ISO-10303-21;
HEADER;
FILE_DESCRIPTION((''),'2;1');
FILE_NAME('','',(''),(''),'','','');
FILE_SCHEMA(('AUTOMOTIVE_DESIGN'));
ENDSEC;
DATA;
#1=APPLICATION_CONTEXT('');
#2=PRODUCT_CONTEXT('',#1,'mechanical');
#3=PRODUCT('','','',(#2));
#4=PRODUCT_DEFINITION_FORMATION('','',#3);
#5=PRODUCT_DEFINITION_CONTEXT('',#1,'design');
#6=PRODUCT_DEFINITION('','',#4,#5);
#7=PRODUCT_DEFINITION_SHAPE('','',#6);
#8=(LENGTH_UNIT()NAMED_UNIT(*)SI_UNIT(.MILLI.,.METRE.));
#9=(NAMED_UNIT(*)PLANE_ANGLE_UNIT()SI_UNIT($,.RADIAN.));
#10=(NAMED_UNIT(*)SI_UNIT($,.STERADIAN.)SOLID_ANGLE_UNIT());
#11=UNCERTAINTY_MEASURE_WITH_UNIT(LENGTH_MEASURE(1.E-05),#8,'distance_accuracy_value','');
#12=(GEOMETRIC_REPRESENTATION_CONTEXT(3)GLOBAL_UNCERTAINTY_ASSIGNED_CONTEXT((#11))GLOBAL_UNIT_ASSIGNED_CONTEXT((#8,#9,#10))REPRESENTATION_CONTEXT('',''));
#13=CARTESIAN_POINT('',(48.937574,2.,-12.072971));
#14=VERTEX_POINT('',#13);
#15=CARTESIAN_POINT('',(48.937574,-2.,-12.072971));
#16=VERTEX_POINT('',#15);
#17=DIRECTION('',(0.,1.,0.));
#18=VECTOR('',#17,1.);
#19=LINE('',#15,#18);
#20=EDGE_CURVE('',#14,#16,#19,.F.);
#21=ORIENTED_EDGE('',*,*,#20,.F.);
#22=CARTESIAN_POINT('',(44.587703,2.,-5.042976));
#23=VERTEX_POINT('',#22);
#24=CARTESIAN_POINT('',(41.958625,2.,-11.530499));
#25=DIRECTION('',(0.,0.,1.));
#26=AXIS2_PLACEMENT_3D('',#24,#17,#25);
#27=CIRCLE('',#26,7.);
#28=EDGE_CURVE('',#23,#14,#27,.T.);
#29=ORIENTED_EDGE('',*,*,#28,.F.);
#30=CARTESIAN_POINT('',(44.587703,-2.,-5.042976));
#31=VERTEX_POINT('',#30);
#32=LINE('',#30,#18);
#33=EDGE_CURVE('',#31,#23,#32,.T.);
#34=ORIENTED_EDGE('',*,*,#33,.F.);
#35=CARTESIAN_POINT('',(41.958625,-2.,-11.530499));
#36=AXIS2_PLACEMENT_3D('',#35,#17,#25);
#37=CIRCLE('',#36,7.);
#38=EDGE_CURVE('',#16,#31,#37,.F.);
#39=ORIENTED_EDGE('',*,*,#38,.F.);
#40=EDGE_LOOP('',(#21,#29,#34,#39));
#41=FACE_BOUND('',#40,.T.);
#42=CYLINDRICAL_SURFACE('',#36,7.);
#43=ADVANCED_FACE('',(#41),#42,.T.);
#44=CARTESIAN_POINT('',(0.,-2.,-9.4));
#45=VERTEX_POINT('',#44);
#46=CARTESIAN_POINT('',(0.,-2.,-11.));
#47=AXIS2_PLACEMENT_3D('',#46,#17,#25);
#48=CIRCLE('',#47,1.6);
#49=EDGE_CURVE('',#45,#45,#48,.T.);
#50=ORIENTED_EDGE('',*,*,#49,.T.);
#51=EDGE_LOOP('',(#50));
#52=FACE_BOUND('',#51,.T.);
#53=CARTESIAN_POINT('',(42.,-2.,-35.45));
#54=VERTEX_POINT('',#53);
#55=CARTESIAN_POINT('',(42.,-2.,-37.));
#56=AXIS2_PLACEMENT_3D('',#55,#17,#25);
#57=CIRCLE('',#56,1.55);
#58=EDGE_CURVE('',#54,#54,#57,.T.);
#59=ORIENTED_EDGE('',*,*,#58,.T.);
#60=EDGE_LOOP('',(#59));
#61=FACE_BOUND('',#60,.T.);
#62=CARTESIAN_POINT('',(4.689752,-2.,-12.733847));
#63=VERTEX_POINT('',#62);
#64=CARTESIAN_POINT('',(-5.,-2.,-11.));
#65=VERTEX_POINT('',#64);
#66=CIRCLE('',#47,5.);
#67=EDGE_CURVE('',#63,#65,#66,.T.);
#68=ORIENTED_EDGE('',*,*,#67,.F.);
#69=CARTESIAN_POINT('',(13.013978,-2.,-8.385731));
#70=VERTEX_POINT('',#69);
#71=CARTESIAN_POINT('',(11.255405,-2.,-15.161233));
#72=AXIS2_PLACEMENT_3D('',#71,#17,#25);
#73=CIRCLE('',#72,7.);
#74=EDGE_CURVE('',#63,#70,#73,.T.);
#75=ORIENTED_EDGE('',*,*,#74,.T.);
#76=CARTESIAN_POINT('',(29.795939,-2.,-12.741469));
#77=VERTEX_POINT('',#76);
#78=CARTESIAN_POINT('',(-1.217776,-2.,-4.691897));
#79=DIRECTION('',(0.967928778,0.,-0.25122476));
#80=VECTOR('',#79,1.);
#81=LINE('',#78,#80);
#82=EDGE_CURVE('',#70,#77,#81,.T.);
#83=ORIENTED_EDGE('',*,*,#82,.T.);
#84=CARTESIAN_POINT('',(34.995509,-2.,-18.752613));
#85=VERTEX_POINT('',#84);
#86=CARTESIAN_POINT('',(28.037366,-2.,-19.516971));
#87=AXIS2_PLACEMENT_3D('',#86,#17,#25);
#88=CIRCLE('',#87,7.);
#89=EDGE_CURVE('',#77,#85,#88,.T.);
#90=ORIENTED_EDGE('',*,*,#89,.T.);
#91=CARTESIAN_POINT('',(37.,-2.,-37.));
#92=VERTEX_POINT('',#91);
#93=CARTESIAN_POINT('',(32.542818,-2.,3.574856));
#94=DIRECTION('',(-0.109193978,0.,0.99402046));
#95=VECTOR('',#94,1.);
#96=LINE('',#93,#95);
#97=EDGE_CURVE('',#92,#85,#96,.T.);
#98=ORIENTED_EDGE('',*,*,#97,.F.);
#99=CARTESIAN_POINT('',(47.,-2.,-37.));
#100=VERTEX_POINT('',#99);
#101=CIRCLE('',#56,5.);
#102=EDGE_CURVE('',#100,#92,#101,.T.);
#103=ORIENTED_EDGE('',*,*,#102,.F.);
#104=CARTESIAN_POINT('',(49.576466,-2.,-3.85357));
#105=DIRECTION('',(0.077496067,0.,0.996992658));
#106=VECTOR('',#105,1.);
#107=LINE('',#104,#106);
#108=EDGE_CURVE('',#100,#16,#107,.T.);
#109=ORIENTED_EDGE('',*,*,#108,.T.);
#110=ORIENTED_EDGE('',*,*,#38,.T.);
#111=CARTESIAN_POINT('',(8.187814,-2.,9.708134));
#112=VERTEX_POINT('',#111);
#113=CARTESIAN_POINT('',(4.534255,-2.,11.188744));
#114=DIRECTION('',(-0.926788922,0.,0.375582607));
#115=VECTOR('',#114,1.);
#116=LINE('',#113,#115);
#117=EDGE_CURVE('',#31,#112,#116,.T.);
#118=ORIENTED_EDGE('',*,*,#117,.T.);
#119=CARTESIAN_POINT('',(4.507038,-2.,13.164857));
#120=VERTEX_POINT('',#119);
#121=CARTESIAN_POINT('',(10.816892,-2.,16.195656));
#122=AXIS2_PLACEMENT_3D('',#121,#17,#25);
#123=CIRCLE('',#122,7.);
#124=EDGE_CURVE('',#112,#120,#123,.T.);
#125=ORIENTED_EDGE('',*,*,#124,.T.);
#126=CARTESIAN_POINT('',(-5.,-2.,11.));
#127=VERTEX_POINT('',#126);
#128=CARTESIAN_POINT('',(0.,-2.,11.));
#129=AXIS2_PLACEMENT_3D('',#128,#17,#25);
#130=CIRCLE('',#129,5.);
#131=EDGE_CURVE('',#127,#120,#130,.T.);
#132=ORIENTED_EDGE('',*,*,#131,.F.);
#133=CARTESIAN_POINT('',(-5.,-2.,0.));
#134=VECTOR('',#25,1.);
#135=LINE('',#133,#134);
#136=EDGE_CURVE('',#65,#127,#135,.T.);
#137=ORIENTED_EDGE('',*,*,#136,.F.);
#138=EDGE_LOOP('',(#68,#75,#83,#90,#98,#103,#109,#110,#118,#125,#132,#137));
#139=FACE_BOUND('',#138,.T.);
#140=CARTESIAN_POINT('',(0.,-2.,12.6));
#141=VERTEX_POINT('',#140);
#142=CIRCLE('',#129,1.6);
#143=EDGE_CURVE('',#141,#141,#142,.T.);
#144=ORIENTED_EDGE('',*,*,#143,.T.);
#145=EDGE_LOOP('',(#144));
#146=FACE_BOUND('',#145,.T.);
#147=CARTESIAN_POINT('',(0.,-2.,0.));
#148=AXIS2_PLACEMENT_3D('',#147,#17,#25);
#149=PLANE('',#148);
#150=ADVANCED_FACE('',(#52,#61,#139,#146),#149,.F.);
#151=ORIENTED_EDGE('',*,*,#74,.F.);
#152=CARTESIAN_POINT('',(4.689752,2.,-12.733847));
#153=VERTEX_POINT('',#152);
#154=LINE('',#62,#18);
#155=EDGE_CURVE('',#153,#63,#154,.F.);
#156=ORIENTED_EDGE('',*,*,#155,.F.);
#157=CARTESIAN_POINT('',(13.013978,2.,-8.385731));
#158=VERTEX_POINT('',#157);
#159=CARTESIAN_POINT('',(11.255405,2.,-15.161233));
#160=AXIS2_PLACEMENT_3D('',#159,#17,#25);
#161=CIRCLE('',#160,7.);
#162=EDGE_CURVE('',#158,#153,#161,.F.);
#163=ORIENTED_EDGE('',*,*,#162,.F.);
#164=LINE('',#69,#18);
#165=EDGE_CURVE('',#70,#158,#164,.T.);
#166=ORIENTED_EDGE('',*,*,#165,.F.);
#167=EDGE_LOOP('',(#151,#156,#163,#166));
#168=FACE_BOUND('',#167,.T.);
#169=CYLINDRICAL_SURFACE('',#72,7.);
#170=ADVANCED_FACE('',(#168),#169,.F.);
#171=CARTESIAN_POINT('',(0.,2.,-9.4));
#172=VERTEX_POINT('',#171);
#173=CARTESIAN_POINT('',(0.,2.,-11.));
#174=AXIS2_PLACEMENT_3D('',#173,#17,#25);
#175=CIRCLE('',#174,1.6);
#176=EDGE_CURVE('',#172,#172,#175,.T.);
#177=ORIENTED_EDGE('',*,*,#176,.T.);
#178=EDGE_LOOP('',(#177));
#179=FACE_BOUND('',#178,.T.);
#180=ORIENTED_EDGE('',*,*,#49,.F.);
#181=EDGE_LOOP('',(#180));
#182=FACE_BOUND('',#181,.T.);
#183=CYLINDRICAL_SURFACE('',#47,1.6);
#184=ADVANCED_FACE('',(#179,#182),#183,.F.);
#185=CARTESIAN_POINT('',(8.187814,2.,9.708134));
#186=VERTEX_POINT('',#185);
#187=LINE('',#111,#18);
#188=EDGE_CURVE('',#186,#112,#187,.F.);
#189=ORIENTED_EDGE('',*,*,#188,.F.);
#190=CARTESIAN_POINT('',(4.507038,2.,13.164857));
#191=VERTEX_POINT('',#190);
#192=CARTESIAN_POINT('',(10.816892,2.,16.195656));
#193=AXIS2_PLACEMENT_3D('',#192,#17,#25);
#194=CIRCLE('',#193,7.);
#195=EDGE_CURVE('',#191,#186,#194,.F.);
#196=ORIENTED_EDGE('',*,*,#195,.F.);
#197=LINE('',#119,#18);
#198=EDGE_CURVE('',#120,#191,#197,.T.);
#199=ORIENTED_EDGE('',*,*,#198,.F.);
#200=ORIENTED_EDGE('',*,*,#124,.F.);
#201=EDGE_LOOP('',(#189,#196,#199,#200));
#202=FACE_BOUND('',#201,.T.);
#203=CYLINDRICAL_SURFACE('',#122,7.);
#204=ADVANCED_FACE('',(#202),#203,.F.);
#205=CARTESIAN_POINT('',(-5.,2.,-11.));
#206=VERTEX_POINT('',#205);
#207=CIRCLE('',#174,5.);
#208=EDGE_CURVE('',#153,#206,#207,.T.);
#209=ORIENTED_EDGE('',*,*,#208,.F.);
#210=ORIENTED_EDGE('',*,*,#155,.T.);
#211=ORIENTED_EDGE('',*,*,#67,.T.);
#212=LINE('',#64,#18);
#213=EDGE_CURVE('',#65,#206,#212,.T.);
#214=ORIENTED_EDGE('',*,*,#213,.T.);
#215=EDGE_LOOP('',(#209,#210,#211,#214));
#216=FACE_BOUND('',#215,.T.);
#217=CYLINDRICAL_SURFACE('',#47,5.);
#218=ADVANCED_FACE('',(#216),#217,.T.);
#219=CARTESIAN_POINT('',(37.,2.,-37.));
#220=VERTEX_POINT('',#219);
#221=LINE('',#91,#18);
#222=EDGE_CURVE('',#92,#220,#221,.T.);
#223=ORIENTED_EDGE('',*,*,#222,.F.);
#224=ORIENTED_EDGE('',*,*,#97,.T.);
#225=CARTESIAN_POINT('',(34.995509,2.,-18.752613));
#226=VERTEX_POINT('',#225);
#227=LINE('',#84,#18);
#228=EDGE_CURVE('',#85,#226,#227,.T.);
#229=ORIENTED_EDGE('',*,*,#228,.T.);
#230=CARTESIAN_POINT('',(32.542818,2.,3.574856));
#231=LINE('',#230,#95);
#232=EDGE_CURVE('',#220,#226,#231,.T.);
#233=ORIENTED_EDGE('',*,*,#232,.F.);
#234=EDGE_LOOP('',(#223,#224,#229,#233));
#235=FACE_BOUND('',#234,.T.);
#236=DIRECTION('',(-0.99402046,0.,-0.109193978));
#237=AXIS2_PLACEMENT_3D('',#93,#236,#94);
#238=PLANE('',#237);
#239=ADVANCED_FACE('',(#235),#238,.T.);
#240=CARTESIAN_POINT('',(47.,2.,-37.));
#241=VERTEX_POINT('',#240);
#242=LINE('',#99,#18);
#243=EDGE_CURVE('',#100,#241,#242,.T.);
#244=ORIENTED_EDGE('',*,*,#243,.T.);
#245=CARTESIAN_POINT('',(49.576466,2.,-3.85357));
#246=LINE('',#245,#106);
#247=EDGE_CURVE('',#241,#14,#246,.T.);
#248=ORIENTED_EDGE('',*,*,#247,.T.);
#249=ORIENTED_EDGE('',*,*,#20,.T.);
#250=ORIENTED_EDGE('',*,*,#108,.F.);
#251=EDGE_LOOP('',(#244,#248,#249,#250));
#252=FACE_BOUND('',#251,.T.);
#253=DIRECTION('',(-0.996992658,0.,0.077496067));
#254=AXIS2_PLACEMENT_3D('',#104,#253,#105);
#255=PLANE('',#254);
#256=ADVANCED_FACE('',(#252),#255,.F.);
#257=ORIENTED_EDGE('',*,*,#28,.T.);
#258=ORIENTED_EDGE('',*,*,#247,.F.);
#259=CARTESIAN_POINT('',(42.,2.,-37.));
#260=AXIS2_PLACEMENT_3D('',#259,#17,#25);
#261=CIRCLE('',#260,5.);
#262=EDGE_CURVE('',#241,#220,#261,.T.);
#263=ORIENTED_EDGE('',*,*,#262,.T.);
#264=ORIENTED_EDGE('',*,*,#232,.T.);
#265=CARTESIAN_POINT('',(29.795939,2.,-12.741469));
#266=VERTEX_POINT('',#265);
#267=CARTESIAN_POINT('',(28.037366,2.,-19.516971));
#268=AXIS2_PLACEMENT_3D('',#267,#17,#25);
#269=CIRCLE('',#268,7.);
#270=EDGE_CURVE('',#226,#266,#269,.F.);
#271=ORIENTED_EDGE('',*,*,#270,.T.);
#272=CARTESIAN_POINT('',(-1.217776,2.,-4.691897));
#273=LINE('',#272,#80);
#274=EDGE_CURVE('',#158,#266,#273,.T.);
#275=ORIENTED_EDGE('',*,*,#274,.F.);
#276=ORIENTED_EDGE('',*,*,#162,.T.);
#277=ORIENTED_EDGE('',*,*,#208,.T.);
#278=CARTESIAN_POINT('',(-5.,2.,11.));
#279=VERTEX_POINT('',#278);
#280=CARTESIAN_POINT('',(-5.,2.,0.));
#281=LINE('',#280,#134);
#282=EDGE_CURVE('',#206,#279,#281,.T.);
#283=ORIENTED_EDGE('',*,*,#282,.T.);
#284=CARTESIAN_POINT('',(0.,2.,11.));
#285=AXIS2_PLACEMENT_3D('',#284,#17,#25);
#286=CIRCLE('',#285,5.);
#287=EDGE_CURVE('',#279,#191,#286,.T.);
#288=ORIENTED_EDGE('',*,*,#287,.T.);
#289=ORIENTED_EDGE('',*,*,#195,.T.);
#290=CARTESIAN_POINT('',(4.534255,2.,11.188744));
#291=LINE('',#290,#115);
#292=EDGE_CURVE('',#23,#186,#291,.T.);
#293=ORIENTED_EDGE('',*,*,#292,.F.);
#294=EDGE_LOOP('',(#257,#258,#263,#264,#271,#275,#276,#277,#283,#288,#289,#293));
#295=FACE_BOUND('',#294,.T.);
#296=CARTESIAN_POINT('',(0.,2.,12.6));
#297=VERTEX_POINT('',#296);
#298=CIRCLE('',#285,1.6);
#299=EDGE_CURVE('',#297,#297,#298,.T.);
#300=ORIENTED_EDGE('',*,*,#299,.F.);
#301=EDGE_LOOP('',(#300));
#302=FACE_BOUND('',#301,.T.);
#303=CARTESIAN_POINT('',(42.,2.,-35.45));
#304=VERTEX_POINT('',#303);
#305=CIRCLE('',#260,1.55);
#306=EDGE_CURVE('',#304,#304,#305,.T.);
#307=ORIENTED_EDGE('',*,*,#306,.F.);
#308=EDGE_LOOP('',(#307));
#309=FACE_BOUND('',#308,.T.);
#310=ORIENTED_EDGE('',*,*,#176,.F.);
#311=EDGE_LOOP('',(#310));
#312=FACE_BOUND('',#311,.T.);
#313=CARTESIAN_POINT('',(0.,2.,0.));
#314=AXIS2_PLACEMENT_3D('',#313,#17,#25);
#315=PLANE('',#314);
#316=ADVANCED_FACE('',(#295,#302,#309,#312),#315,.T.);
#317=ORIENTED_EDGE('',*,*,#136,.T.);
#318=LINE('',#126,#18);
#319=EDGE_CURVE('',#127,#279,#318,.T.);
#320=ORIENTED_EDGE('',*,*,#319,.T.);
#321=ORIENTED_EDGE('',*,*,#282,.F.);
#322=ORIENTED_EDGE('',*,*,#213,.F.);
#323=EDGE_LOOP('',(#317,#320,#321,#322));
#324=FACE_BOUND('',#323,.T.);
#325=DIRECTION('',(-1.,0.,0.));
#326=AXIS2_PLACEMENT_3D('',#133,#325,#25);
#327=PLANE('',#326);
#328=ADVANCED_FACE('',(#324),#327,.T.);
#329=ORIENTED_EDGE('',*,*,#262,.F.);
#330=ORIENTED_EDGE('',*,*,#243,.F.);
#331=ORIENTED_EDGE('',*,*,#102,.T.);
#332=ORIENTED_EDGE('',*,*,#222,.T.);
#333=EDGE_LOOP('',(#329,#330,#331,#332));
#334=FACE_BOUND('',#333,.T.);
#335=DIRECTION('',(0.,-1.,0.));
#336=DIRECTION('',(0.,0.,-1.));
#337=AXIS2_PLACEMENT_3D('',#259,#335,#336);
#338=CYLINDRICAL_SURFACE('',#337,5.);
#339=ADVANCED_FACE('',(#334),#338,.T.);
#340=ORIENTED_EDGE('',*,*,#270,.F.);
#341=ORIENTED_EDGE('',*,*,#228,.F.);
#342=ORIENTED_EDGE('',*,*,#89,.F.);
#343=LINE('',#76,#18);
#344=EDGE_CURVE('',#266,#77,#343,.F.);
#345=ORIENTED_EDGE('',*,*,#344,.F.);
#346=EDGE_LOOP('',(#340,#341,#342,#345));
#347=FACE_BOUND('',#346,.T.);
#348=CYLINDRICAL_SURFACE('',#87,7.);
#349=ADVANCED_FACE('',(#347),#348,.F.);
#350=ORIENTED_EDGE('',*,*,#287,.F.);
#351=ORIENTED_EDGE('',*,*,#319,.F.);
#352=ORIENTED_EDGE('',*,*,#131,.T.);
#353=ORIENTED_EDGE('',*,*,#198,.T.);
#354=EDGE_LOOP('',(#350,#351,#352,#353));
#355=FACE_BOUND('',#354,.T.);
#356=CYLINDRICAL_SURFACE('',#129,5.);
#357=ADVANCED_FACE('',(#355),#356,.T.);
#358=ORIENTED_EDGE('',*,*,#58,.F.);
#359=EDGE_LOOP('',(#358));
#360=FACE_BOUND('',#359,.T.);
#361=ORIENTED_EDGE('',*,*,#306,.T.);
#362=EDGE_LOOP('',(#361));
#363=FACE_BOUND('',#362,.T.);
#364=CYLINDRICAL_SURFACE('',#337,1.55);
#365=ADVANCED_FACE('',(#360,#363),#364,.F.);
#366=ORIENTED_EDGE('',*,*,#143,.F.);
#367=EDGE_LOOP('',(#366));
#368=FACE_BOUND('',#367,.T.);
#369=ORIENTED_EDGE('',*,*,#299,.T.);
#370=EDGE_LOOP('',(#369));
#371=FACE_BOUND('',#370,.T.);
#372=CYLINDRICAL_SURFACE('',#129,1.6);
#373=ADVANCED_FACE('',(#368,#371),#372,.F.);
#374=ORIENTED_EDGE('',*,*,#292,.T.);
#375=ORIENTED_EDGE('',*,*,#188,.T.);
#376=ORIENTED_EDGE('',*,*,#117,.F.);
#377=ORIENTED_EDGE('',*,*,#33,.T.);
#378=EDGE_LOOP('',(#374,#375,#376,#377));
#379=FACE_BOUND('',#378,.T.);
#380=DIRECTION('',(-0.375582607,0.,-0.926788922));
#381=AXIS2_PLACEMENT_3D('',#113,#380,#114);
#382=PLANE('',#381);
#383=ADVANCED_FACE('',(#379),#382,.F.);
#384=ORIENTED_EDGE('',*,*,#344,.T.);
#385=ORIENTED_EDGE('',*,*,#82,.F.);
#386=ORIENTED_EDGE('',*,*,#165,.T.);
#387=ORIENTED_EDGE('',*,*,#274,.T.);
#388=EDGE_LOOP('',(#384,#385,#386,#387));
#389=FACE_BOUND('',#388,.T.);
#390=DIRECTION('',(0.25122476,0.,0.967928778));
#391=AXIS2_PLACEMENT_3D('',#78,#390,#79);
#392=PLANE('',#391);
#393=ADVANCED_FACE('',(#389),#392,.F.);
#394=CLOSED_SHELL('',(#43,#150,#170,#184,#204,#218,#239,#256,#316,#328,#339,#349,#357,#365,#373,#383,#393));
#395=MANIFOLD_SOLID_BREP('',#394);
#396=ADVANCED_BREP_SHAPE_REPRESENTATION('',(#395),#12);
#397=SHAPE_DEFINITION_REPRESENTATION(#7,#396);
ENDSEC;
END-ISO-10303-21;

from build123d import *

# Parameters (mm, degrees)
BOSS_EXTRUDE1_DEPTH      = 2
BOSS_EXTRUDE1_DEPTH_BACK = 2
SKETCH1_R                = 1.6
BOSS_EXTRUDE3_DEPTH      = 2
BOSS_EXTRUDE3_DEPTH_BACK = 2
SKETCH3_R                = 1.55
FILLET1_R                = 7


with BuildPart() as part:
    # Sketch1 → Boss-Extrude1 (new, two sides: drawn at the far end of the back side and taken through both)
    with BuildSketch(Plane(origin=(0, 0, 0), x_dir=(1, 0, 0), z_dir=(0, 1, 0)).offset(-BOSS_EXTRUDE1_DEPTH_BACK)):
        with BuildLine():
            Line((5, -11), (5, 11))
            ThreePointArc((5, 11), (0, 16), (-5, 11))
            Line((-5, 11), (-5, -11))
            ThreePointArc((-5, -11), (0, -16), (5, -11))
        make_face()
        with Locations((0, 11)):
            Circle(SKETCH1_R, mode=Mode.SUBTRACT)
        with Locations((0, -11)):
            Circle(SKETCH1_R, mode=Mode.SUBTRACT)
    extrude(amount=BOSS_EXTRUDE1_DEPTH + BOSS_EXTRUDE1_DEPTH_BACK)

    # Sketch3 → Boss-Extrude3 (add, two sides: drawn at the far end of the back side and taken through both)
    with BuildSketch(Plane(origin=(0, 0, 0), x_dir=(1, 0, 0), z_dir=(0, 1, 0)).offset(-BOSS_EXTRUDE3_DEPTH_BACK)):
        with BuildLine():
            Line((34.468399727, 13.95420099), (5, 6.305712988))
            Line((5, 6.305712988), (5, -11))
            Line((5, -11), (49.334489528, 6.966618691))
            Line((49.334489528, 6.966618691), (47, 37))
            ThreePointArc((47, 37), (42, 42), (37, 37))
            Line((37, 37), (34.468399727, 13.95420099))
        make_face()
        with Locations((42, 37)):
            Circle(SKETCH3_R, mode=Mode.SUBTRACT)
    extrude(amount=BOSS_EXTRUDE3_DEPTH + BOSS_EXTRUDE3_DEPTH_BACK)

    # Fillet1
    fillet1_edges = [part.edges().sort_by_distance(p)[0] for p in [
        (5, 0, 11),
        (49.334489528, 0, -6.966618691),
        (34.468399727, 0, -13.95420099),
        (5, 0, -6.305712988),
    ]]
    fillet(fillet1_edges, radius=FILLET1_R)


solid = part.part
